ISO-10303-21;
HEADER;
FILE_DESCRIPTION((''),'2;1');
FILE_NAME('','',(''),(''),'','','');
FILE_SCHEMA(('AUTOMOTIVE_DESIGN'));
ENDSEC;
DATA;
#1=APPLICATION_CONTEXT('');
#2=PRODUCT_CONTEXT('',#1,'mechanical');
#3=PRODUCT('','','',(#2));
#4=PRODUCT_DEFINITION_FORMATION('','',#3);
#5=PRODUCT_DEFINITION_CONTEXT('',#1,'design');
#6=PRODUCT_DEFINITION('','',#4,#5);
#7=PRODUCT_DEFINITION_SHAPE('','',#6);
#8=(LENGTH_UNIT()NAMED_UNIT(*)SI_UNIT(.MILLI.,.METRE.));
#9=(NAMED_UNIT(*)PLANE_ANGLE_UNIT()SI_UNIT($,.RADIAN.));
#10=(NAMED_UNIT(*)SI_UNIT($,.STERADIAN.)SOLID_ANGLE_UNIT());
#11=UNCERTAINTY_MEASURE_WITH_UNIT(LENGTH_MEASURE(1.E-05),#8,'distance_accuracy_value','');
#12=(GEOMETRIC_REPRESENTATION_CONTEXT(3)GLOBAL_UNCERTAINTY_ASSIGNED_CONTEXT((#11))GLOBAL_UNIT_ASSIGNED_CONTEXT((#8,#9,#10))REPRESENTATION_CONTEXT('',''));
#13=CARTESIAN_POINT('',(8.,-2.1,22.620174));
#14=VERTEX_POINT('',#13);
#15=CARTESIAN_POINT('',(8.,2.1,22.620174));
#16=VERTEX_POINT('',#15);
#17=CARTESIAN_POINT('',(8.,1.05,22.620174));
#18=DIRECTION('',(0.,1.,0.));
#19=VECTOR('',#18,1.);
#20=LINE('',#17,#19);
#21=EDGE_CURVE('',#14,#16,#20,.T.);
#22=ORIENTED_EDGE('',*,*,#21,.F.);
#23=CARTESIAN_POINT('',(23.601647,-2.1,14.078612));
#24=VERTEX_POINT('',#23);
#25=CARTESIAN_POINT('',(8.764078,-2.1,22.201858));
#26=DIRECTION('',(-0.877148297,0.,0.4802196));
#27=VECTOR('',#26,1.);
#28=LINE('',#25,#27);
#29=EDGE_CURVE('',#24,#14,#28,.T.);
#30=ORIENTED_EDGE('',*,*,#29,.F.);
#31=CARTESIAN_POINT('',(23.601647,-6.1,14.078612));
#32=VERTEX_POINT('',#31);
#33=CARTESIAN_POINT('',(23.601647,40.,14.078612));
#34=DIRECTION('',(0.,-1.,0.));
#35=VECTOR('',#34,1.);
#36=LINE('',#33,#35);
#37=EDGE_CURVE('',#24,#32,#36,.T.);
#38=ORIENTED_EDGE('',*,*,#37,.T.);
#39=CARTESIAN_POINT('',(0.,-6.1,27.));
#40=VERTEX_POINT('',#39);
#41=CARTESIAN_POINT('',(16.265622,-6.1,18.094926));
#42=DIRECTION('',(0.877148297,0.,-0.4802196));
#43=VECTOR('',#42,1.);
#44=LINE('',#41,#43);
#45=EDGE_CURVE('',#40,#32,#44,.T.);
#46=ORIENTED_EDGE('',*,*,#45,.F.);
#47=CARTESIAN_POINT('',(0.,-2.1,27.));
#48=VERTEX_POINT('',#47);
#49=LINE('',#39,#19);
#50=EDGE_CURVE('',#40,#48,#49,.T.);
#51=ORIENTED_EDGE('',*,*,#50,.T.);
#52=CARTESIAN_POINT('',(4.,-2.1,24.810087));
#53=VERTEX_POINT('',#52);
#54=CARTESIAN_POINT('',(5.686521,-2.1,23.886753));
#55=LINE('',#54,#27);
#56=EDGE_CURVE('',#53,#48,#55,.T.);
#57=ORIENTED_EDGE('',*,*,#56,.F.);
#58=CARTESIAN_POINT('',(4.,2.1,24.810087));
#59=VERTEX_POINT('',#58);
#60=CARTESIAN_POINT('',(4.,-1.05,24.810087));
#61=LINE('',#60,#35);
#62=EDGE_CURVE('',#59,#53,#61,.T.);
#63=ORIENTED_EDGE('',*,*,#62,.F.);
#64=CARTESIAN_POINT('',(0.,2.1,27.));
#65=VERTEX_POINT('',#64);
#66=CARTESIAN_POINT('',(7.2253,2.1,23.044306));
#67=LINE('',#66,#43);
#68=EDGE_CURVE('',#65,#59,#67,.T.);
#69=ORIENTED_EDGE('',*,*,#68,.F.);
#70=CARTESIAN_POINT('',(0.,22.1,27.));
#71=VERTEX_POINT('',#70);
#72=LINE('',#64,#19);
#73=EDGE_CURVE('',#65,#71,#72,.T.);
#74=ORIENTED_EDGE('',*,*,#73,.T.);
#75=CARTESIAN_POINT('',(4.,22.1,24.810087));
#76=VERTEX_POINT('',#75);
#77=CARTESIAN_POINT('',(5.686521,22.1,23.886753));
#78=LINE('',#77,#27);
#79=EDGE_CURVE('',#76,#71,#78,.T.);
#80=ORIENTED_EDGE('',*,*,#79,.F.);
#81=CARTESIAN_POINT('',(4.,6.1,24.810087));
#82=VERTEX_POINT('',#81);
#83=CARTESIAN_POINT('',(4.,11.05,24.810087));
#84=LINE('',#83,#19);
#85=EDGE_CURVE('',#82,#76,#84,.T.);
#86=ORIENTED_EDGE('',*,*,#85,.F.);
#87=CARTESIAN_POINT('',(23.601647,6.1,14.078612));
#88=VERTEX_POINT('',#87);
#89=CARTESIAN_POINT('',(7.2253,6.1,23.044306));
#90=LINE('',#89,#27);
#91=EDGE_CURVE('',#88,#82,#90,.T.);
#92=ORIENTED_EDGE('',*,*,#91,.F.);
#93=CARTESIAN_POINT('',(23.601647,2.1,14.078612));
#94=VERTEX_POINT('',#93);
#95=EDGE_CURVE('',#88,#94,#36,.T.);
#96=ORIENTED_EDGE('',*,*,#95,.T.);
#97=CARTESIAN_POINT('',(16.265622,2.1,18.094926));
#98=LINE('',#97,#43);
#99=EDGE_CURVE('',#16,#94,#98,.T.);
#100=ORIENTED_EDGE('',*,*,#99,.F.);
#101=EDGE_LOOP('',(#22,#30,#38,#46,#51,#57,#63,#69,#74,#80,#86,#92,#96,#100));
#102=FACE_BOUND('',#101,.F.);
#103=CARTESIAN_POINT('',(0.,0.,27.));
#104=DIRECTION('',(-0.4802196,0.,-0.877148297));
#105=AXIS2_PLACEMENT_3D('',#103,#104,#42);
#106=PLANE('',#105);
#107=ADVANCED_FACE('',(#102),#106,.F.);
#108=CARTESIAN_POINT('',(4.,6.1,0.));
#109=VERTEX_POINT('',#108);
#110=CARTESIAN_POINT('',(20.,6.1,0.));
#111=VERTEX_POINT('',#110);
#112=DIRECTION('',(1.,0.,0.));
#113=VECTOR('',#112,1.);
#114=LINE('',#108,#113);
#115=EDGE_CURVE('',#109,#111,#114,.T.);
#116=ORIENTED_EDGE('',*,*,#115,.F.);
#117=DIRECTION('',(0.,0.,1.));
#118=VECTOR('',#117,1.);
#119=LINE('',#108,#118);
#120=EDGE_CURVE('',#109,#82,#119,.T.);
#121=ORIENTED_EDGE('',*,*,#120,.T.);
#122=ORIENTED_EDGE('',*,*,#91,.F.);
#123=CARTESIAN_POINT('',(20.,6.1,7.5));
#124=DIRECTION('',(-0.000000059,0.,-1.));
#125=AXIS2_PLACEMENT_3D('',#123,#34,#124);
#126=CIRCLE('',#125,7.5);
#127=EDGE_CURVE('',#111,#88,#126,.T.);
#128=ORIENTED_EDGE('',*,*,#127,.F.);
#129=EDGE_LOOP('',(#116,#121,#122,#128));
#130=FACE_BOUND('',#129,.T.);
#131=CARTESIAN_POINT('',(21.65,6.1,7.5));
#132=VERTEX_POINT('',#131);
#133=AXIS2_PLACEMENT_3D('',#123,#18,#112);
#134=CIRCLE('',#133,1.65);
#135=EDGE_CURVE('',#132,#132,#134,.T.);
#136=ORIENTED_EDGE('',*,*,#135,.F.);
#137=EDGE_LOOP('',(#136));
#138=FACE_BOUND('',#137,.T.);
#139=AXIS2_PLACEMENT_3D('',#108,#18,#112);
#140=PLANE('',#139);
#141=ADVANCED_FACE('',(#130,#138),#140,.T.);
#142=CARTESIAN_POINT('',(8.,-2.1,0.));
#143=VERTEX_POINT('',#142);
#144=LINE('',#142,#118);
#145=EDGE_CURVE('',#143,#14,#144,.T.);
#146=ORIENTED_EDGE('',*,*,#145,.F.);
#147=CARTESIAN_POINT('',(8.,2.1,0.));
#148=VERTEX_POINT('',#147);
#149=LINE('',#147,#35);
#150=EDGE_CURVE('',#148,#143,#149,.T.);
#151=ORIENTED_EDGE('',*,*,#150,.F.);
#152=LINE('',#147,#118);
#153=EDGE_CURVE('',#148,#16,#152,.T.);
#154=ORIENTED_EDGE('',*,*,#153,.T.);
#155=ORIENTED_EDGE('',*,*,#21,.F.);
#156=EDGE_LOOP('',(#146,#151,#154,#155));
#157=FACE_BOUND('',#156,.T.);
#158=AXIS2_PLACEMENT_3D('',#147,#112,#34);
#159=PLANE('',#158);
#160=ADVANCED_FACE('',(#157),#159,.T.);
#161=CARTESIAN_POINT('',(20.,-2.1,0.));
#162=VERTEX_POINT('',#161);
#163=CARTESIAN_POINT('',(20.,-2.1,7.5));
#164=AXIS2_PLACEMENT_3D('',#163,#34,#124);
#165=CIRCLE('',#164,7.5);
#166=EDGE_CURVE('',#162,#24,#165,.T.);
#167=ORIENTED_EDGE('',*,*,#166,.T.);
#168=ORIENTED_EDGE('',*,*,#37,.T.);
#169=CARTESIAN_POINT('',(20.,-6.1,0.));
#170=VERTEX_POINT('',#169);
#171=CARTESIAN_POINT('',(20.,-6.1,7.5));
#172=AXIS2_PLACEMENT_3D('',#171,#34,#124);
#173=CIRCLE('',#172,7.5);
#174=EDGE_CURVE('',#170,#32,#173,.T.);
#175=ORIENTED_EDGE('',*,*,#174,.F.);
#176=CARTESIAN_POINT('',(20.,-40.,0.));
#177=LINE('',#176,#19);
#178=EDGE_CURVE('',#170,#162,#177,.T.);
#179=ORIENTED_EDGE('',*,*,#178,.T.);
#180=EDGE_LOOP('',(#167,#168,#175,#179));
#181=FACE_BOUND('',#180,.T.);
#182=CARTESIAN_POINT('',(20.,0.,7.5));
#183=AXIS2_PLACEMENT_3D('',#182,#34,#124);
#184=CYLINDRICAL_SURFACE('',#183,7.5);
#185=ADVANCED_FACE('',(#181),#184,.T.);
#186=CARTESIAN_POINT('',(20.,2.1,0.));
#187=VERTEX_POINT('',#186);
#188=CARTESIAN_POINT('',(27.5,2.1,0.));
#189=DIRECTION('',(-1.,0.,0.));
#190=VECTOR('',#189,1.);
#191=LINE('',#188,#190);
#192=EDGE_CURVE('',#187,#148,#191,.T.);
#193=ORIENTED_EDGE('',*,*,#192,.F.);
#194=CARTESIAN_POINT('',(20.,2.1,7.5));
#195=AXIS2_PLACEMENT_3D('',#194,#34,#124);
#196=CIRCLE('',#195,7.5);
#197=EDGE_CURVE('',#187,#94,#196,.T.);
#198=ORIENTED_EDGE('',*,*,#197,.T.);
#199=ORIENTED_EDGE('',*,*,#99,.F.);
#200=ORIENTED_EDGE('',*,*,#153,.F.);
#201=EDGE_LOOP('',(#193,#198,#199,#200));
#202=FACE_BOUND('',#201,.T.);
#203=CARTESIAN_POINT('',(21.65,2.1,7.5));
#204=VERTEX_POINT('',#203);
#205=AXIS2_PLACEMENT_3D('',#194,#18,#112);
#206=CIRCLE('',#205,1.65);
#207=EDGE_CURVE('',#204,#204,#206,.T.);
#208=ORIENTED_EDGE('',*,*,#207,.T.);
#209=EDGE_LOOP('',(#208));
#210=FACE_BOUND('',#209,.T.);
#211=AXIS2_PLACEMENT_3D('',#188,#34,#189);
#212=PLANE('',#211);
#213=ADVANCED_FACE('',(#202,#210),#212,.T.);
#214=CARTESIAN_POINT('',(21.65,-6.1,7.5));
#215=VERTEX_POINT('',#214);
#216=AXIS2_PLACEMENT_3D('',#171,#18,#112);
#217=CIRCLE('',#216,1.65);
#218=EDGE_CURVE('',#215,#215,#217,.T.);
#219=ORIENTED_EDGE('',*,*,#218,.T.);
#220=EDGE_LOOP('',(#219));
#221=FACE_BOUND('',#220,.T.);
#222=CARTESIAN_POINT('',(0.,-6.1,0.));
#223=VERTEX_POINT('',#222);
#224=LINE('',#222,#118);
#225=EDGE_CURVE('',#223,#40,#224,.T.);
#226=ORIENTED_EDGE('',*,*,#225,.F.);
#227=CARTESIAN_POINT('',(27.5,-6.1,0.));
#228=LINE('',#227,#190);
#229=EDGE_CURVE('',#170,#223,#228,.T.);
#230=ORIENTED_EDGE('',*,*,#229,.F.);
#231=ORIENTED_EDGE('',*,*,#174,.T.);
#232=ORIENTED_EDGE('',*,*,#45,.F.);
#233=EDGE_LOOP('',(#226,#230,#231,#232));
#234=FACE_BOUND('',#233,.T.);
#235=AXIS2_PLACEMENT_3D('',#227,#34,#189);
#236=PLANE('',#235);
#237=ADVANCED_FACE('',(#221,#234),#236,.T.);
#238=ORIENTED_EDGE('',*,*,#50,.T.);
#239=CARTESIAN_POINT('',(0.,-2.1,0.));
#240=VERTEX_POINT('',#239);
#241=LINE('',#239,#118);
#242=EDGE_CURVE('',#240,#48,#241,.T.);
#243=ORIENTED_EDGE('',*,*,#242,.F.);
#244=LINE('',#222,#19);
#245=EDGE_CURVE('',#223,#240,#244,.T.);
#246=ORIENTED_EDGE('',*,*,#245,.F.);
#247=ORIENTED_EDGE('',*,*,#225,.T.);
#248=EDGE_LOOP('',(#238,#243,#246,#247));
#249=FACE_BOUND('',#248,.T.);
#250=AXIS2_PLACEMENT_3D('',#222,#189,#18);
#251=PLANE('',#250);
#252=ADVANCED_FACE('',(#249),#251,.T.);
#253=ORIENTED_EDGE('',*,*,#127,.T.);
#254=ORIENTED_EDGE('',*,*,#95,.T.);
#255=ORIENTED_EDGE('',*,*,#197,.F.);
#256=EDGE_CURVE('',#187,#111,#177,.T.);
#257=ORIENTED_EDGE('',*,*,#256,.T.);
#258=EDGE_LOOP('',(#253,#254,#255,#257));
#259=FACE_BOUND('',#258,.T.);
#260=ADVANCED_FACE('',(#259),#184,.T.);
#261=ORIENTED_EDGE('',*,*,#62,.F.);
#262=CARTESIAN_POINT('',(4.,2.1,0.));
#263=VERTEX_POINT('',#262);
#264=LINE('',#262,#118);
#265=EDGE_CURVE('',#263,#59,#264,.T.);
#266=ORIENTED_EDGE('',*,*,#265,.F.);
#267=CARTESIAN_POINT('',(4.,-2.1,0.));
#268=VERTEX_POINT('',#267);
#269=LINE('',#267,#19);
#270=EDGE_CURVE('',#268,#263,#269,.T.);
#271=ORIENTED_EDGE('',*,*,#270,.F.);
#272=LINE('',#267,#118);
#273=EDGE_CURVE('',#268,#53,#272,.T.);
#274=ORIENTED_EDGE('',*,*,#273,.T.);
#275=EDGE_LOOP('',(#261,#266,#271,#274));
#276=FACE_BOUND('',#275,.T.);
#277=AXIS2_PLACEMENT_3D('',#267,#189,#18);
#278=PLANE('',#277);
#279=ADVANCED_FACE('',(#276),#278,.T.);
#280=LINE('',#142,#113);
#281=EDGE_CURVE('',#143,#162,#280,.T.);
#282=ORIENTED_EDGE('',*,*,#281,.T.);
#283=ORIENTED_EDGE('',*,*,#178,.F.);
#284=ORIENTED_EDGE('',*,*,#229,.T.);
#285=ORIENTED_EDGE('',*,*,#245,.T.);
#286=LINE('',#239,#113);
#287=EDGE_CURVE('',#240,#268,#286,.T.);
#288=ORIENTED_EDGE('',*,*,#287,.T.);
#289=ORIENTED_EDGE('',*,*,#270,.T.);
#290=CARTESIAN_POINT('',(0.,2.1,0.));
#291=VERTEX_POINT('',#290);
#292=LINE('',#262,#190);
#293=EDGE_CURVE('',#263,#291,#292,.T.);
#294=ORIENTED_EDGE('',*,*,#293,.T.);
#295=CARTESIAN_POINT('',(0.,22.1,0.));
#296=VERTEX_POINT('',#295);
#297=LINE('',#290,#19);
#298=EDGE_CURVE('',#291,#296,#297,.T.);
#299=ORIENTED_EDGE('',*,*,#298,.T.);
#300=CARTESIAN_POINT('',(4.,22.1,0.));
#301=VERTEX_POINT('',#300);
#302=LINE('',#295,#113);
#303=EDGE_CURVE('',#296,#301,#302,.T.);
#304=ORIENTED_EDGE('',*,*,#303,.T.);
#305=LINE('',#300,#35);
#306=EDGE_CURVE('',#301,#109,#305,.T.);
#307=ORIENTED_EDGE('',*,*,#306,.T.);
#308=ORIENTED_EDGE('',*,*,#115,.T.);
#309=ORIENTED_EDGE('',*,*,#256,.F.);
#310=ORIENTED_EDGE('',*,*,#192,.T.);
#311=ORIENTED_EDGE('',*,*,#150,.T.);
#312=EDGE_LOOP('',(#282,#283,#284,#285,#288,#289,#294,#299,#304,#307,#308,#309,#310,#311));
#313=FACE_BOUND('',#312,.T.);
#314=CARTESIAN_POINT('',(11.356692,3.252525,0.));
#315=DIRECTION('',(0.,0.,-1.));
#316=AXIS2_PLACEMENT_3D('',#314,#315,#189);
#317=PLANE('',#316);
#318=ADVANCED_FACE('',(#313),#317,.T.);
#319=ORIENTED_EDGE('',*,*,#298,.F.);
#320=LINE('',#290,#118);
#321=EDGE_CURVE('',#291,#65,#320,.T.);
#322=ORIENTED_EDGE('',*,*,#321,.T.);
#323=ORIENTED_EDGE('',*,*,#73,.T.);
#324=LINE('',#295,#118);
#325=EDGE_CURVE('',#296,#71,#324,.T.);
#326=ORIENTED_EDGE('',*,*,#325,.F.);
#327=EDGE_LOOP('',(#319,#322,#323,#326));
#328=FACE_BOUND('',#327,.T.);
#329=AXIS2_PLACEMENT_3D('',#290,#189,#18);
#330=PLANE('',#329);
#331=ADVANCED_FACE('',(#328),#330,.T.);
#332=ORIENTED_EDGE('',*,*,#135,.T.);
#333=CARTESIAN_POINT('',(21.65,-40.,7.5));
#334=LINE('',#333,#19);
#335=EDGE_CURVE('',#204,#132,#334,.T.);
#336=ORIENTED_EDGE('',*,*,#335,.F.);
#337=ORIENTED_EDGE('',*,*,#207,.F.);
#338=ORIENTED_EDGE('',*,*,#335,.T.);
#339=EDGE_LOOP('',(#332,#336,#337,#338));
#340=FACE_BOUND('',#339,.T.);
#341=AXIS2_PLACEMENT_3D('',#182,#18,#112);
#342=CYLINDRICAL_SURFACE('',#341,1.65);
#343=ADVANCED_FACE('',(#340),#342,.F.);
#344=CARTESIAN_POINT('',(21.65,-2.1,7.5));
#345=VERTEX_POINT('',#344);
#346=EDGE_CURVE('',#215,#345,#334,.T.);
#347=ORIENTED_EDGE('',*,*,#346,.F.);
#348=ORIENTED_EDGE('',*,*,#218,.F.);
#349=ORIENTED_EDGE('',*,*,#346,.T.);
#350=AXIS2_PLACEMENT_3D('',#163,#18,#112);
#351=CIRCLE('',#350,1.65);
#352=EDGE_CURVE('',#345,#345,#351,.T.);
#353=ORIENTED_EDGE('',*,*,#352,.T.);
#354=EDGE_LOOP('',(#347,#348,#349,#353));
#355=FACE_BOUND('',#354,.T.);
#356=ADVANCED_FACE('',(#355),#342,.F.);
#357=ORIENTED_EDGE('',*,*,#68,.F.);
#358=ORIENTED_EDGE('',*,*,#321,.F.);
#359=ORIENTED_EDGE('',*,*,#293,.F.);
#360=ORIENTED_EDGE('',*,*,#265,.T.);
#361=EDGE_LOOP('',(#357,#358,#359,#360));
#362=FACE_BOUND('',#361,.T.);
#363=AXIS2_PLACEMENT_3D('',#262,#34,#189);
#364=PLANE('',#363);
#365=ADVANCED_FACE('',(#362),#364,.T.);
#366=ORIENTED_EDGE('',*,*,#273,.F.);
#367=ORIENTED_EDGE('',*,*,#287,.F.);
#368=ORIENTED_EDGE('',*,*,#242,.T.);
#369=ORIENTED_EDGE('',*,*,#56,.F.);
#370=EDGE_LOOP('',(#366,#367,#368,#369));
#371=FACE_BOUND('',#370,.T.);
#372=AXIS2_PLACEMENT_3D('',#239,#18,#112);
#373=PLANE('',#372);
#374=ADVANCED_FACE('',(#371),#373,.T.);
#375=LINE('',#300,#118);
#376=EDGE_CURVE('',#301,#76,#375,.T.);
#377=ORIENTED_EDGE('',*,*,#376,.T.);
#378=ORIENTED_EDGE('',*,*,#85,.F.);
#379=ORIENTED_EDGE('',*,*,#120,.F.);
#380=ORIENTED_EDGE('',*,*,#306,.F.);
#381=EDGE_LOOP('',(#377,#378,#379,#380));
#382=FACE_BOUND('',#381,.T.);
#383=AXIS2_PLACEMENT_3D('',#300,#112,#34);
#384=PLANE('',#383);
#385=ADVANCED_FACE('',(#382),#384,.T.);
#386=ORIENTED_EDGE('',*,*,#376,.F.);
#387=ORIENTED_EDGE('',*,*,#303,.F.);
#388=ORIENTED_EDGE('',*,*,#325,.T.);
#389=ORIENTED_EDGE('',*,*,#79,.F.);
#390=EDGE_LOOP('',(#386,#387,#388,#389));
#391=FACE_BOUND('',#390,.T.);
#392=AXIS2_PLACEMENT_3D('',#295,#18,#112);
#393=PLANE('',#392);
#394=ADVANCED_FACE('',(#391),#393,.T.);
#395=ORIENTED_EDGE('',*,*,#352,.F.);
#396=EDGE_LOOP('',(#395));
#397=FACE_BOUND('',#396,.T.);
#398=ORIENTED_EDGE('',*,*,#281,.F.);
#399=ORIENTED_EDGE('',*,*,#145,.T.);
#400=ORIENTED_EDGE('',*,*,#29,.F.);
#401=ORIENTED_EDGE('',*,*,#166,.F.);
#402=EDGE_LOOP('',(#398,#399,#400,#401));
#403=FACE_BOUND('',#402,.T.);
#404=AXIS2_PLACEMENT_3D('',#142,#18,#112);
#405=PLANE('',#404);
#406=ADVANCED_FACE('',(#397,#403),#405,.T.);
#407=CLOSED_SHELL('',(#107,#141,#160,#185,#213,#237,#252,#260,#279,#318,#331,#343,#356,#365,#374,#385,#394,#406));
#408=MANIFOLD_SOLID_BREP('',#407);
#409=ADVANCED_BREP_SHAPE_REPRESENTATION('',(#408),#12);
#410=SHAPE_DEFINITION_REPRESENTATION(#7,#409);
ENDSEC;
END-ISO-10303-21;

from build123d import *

# Parameters (mm, degrees)
SKETCH001_R   = 1.65
EXTRUDE_DEPTH = 40
PAD_DEPTH     = 27


with BuildPart() as extrude_body:
    # Sketch001 → Extrude (new body, symmetric)
    with BuildSketch(Plane.XZ):
        with BuildLine():
            ThreePointArc((20, 0), (27.266003, 5.641182), (23.601647, 14.078612))
            Line((0, 27), (23.601647, 14.078612))
            Line((0, 0), (0, 27))
            Line((0, 0), (20, 0))
        make_face()
        with Locations((20, 7.5)):
            Circle(SKETCH001_R, mode=Mode.SUBTRACT)
    extrude(amount=EXTRUDE_DEPTH, both=True)


with BuildPart() as common:
    # Sketch → Pad (new body)
    with BuildSketch(Plane.XY):
        Polygon((0, 22.1), (4, 22.1), (4, 6.1), (27.5, 6.1), (27.5, 2.1), (8, 2.1), (8, -2.1), (27.5, -2.1), (27.5, -6.1), (0, -6.1), (0, -2.1), (4, -2.1), (4, 2.1), (0, 2.1), align=None)
    extrude(amount=PAD_DEPTH)

    # Common: intersect Extrude body
    add(extrude_body.part, mode=Mode.INTERSECT)


solid = common.part
